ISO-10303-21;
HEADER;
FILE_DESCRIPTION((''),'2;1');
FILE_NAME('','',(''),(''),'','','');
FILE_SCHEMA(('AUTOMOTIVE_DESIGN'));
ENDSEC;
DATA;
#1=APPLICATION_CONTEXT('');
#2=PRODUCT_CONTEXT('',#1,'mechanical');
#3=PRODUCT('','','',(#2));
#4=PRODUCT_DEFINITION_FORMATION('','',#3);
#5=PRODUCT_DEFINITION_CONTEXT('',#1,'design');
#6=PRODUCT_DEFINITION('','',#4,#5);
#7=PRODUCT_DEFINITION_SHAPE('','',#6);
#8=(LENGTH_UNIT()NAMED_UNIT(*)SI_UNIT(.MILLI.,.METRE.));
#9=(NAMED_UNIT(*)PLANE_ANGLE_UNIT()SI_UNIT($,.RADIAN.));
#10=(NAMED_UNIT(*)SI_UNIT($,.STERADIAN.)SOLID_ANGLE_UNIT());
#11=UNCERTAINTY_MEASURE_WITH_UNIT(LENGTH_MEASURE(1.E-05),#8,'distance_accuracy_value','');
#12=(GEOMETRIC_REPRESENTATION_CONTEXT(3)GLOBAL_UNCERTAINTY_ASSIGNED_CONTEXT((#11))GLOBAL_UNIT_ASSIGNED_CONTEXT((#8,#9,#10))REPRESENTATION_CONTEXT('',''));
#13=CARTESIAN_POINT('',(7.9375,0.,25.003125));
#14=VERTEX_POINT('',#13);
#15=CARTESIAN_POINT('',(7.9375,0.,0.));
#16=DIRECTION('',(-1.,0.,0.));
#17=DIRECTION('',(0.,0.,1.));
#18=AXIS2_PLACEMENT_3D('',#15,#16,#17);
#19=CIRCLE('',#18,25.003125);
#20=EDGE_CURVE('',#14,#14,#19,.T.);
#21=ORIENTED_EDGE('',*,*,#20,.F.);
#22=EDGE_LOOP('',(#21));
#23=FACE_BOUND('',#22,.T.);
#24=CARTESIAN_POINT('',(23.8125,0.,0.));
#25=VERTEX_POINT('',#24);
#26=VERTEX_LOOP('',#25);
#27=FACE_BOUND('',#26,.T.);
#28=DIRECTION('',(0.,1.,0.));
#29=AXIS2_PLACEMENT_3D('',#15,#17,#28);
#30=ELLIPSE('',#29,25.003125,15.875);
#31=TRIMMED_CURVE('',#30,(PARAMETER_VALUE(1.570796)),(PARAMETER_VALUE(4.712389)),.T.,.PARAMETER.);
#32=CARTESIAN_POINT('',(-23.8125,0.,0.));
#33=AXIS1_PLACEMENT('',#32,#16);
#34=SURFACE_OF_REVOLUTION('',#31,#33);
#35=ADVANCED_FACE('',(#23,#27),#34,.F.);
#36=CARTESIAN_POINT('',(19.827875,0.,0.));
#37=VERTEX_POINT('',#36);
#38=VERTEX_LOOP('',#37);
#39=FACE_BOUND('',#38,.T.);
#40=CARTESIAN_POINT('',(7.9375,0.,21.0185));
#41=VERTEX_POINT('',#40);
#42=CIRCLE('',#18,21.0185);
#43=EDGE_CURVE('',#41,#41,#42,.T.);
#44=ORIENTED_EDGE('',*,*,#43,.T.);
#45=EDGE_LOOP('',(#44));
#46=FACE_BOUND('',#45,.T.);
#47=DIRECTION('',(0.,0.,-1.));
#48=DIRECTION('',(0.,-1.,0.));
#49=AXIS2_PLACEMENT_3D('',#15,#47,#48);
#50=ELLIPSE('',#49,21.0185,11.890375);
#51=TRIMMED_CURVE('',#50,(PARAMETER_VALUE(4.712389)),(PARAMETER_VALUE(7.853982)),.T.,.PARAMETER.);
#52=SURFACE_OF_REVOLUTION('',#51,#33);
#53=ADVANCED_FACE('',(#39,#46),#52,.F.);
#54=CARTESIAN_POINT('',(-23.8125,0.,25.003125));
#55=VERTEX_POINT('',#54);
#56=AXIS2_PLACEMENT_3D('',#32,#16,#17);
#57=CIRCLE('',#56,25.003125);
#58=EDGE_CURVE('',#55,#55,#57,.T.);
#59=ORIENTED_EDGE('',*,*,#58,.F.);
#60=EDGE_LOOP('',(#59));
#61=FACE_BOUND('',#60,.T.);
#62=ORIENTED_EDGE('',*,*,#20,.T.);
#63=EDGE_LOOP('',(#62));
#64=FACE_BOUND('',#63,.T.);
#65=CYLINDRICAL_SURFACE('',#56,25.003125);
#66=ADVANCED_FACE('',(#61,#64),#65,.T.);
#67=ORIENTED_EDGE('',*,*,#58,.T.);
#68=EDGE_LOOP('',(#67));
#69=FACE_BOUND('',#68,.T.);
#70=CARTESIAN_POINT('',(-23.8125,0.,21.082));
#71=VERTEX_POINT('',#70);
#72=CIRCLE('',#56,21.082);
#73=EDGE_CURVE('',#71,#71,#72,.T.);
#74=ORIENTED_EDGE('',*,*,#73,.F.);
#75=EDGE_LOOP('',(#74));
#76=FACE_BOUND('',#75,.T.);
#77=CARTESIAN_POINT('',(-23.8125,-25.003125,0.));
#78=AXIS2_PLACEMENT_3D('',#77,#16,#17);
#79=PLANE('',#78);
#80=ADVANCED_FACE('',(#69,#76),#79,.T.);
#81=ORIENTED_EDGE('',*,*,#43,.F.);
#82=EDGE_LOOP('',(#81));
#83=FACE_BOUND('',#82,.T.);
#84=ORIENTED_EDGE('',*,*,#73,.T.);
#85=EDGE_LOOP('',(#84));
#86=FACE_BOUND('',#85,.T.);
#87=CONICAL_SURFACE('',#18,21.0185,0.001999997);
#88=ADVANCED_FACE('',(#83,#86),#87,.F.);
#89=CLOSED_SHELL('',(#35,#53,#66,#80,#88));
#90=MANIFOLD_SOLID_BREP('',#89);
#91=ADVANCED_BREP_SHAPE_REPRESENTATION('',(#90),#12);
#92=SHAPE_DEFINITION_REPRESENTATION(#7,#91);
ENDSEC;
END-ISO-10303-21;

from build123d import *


with BuildPart() as part:
    # Sketch1 → Revolve1 (revolve)
    with BuildSketch(Plane.XY):
        with BuildLine():
            Line((19.827875, 0), (23.8125, 0))
            add(Edge.make_bspline(
                [(7.9375, -25.003125), (23.8125, -25.003125), (23.8125, 0)],
                knots=[3.141592654, 3.141592654, 3.141592654, 4.71238898, 4.71238898, 4.71238898], degree=2, weights=[1, 0.707106781, 1]))
            Line((7.9375, -25.003125), (-23.8125, -25.003125))
            Line((-23.8125, -25.003125), (-23.8125, -21.082))
            Line((-23.8125, -21.082), (7.9375, -21.0185))
            add(Edge.make_bspline(
                [(7.9375, -21.0185), (19.827875, -21.0185), (19.827875, 0)],
                knots=[0, 0, 0, 1.570796327, 1.570796327, 1.570796327], degree=2, weights=[1, 0.707106781, 1]))
        make_face()
    revolve(axis=Axis((-23.8125, 0, 0), (1, 0, 0)))


solid = part.part
